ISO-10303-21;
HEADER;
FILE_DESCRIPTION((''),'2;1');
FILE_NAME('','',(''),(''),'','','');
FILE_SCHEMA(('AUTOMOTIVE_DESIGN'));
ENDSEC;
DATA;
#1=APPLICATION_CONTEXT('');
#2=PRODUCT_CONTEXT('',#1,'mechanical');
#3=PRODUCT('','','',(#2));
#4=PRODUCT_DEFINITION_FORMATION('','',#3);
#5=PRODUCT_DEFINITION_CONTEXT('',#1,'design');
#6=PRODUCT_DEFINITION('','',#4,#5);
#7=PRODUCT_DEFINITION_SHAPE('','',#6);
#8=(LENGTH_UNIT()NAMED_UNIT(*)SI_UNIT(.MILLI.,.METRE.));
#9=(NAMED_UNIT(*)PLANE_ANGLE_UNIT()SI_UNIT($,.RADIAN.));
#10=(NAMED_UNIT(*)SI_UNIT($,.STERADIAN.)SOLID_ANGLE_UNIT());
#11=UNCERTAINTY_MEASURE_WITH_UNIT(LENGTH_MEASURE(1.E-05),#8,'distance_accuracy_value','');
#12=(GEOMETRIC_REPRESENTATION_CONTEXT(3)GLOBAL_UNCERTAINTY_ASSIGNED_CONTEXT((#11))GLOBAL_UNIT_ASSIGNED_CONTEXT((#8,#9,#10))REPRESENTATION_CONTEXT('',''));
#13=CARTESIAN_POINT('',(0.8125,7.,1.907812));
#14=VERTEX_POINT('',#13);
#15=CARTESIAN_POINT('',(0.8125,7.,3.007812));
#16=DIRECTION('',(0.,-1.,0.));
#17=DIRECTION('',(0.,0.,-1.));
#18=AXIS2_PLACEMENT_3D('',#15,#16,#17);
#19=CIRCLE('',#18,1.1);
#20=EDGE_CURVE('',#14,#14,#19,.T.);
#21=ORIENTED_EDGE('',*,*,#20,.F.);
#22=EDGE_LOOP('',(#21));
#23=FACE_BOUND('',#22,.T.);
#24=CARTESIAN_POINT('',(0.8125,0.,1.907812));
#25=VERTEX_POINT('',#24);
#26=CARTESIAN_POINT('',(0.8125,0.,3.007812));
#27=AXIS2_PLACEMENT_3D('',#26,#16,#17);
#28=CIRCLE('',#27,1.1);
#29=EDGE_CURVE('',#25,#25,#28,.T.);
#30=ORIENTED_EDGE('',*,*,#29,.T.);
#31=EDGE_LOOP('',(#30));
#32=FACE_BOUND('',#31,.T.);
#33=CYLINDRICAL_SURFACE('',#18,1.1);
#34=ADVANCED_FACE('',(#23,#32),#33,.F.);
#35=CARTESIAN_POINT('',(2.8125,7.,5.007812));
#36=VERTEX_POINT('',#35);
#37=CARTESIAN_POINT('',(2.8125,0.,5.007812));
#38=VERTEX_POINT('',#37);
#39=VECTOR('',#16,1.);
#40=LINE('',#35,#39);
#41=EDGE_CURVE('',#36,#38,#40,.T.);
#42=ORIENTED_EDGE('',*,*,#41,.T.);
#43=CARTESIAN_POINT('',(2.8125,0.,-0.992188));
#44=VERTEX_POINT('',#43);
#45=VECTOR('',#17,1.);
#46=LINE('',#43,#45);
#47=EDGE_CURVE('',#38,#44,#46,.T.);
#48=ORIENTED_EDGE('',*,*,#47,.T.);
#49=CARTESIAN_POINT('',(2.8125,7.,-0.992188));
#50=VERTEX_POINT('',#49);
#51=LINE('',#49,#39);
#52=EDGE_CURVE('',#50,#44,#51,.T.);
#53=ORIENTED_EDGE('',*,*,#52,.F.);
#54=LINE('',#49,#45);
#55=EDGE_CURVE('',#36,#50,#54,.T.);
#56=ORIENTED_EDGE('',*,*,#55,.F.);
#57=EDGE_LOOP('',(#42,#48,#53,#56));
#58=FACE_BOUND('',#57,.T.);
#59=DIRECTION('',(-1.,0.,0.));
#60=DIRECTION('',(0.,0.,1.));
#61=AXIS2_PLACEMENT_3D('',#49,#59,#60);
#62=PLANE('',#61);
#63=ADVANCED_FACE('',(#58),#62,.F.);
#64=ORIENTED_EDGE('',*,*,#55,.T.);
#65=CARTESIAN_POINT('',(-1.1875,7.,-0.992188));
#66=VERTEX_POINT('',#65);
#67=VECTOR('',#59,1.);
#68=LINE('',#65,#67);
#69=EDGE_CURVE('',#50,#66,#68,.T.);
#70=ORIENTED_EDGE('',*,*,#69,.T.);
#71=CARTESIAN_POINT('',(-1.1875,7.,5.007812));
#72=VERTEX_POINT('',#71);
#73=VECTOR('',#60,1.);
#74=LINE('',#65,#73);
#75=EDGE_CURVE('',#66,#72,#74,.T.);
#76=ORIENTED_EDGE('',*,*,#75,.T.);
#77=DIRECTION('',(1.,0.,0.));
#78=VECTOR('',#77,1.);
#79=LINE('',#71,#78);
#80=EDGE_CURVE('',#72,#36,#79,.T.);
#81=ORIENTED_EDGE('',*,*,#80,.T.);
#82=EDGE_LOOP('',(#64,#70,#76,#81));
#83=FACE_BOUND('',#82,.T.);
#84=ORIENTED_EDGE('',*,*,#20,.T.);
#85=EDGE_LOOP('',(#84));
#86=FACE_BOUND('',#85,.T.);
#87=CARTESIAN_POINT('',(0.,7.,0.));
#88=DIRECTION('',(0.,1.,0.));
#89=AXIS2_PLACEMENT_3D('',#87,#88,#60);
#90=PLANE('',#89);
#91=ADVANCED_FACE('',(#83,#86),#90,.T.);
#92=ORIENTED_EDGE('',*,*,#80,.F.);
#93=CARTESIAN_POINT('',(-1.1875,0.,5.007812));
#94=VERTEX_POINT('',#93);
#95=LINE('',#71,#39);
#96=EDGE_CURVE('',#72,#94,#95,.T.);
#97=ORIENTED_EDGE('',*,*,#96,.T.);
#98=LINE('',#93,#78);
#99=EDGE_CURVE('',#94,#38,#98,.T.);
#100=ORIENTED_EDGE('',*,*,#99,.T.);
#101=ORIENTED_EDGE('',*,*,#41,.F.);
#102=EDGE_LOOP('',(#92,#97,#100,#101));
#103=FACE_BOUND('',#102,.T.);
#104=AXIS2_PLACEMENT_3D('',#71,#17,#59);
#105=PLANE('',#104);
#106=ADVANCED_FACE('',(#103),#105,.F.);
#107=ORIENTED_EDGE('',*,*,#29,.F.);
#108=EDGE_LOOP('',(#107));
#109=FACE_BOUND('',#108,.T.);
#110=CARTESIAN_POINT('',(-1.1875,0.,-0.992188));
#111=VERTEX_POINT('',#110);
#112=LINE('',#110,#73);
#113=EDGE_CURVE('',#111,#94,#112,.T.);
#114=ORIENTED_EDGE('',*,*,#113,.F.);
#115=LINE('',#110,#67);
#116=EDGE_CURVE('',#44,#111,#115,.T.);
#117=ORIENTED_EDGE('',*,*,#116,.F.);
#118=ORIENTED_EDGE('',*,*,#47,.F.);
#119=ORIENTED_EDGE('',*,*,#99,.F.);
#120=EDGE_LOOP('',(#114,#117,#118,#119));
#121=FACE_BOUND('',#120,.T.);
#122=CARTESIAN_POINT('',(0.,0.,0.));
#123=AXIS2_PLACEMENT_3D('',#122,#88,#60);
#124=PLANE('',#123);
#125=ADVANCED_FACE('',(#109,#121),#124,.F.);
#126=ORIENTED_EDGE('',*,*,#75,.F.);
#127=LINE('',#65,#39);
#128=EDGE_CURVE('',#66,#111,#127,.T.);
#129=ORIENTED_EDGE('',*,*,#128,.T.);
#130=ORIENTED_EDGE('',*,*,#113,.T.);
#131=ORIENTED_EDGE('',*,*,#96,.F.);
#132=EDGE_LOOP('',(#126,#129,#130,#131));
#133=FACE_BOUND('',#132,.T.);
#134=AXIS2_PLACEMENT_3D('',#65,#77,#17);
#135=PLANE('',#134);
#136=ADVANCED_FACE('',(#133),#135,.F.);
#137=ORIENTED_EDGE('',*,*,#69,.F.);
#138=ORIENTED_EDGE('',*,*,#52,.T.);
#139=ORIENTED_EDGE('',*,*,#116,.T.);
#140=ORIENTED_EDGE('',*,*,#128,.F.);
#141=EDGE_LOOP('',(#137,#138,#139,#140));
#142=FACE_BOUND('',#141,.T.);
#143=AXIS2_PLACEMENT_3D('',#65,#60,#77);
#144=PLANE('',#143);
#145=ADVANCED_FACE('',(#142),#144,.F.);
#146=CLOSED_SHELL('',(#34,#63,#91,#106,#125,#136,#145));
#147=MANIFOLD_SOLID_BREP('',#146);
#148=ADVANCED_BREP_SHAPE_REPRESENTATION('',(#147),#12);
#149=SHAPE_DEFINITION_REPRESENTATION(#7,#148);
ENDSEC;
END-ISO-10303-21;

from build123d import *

# Parameters (mm, degrees)
SKETCH_1_W          = 4
SKETCH_1_H          = 6
EXTRUDE_1_DEPTH     = 7
SKETCH_3_R          = 1.1
CUT_EXTRUDE_1_DEPTH = 10.054741426


with BuildPart() as part:
    # 草图1 → 凸台-拉伸1 (new body)
    with BuildSketch(Plane(origin=(0, 0, 0), x_dir=(1, 0, 0), z_dir=(0, 1, 0))):
        with Locations((0.8125, -2.0078125)):
            Rectangle(SKETCH_1_W, SKETCH_1_H)
    extrude(amount=EXTRUDE_1_DEPTH)

    # 草图3 → 切除-拉伸1 (cut, through all)
    with BuildSketch(Plane.XZ):
        with Locations(Location((0.8125, 3.0078125, 0), (0, 0, 270))):
            Circle(SKETCH_3_R)
    extrude(amount=-CUT_EXTRUDE_1_DEPTH, mode=Mode.SUBTRACT)


solid = part.part
